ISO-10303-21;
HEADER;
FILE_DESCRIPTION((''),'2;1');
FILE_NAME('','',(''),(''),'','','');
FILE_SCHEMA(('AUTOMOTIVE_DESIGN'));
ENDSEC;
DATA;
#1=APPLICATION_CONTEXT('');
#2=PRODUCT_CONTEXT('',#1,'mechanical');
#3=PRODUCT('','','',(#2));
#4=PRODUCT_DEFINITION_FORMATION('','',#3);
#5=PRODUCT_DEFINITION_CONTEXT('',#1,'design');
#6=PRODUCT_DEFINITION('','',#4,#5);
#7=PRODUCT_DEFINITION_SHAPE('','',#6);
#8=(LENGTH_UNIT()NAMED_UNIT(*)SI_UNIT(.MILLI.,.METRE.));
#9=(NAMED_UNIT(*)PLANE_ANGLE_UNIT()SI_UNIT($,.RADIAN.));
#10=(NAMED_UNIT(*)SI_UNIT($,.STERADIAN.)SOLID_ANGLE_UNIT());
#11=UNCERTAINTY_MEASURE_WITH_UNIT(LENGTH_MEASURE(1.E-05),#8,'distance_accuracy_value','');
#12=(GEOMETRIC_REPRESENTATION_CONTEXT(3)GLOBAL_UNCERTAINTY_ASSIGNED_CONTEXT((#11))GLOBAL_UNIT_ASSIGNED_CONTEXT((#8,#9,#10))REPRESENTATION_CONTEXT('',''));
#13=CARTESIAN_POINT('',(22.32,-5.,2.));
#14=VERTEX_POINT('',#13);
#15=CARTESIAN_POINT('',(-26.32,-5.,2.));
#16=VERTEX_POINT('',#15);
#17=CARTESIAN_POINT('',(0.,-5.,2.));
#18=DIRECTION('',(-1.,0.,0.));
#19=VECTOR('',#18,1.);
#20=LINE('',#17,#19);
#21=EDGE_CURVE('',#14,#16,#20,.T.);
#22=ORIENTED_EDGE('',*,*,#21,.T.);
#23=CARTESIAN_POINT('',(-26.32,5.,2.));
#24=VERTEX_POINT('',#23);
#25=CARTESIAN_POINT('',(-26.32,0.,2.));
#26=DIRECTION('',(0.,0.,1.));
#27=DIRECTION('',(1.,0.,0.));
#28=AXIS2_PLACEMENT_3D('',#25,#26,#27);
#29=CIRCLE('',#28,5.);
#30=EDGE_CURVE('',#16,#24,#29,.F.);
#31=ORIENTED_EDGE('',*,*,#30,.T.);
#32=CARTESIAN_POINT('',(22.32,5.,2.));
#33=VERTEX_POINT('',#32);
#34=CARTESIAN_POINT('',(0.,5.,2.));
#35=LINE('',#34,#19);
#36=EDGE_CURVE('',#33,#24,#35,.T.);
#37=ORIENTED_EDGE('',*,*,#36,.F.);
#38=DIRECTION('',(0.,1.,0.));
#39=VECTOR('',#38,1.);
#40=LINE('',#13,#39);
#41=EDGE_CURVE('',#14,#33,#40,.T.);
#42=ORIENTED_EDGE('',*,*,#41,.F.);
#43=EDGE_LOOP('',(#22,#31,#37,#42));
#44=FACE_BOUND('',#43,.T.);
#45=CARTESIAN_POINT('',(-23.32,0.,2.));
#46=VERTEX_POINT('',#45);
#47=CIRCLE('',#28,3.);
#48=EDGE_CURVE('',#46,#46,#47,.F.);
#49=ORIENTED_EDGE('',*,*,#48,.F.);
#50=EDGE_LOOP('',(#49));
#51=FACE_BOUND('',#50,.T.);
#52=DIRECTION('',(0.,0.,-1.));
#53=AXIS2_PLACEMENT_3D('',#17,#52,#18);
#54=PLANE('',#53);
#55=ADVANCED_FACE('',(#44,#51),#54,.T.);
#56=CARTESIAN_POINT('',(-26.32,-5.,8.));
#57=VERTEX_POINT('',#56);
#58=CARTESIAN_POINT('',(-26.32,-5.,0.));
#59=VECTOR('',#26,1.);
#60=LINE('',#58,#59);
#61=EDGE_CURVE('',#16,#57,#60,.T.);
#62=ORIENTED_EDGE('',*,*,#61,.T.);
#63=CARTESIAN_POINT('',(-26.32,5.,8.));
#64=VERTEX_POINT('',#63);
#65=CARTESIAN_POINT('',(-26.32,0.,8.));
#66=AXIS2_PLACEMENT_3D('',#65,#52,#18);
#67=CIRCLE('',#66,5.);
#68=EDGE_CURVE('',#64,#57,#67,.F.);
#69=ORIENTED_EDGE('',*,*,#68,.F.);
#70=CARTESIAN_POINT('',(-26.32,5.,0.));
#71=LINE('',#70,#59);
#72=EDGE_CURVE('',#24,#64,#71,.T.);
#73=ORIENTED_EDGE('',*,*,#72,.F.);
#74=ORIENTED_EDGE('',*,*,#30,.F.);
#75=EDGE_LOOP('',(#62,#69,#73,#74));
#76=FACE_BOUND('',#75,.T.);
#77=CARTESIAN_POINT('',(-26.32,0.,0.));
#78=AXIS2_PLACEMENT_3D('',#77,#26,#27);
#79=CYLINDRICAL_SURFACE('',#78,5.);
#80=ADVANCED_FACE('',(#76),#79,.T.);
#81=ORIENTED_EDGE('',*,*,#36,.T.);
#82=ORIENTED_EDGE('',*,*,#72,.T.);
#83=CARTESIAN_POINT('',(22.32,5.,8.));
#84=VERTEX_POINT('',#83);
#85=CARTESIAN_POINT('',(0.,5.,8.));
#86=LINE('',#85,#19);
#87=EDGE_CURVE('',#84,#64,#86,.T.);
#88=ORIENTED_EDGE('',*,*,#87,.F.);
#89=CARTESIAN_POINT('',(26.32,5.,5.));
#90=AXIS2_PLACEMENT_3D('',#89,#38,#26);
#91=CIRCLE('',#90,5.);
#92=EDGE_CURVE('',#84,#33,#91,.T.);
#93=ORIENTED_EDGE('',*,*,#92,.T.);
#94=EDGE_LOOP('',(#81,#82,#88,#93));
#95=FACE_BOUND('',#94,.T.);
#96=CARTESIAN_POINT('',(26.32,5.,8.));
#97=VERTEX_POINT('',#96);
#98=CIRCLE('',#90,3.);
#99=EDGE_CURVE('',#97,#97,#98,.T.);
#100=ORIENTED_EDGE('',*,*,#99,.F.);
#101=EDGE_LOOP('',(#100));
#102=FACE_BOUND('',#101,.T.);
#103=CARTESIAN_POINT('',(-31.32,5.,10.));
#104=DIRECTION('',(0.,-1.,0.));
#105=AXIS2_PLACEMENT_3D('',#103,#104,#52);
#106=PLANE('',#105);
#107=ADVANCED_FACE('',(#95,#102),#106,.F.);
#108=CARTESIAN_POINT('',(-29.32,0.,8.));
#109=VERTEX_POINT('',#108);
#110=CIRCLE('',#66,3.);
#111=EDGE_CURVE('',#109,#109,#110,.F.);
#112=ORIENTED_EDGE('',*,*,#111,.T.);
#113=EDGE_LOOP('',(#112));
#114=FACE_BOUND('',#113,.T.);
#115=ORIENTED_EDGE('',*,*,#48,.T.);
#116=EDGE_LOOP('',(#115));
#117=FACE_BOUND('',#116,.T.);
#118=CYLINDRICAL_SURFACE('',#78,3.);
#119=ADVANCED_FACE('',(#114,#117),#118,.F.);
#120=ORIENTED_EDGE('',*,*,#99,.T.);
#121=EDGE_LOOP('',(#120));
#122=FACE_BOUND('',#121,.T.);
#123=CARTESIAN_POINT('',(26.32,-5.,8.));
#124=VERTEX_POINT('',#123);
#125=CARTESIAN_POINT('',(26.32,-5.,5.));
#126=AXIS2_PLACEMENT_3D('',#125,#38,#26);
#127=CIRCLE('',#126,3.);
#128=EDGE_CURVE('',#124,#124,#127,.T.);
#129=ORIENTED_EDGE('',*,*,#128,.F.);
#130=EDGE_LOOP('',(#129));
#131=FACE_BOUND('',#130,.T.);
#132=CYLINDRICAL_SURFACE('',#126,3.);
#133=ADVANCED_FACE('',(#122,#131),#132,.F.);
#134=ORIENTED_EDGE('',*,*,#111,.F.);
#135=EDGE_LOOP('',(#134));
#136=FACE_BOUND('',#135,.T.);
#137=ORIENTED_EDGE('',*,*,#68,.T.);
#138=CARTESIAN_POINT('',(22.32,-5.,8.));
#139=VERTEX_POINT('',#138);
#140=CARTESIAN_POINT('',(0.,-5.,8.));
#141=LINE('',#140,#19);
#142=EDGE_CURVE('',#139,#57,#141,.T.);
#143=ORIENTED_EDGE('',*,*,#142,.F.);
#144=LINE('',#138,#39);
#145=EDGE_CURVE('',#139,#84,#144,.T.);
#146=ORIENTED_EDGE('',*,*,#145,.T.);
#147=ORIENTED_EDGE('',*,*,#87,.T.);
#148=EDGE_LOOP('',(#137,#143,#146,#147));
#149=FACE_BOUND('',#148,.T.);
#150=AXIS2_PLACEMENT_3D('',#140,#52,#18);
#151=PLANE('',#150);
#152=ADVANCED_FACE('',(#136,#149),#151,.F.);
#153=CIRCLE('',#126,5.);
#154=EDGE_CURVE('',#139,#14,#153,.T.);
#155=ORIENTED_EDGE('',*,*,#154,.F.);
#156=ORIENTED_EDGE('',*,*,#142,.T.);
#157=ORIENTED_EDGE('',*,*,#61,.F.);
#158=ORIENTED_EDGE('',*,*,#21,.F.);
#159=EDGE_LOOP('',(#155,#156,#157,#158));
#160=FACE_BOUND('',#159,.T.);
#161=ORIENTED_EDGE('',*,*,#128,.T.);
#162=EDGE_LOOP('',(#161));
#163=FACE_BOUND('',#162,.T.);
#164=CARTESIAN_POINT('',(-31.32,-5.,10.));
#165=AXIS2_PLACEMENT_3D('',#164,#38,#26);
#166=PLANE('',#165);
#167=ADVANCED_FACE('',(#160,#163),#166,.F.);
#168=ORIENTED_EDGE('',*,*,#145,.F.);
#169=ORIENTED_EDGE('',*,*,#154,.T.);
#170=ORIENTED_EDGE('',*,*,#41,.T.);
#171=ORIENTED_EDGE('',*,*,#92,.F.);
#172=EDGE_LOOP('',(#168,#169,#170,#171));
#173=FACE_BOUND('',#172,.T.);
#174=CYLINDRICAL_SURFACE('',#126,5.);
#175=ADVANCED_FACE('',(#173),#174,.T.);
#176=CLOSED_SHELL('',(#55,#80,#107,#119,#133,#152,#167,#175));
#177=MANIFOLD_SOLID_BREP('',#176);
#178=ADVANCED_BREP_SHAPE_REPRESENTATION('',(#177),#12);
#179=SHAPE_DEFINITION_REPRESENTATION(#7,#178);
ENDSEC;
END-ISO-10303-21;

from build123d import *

# Parameters (mm, degrees)
SKETCH_1_W           = 62.64
SKETCH_1_H           = 10
EXTRUDE_2_DEPTH      = 10
SKETCH_3_R           = 3
CUT_EXTRUDE_3_DEPTH  = 35.364842499
SKETCH_4_R           = 3
CUT_EXTRUDE_5_DEPTH  = 34.255712291
SKETCH_5_W           = 44.64
SKETCH_5_H           = 2
CUT_EXTRUDE_7_DEPTH  = 35.364842499
CUT_EXTRUDE_8_DEPTH  = 35.364842499
SKETCH_10_R          = 5
EXTRUDE_7_DEPTH      = 10
SKETCH_11_R          = 3
CUT_EXTRUDE_9_DEPTH  = 35.364842499
SKETCH_13_W          = 2
SKETCH_13_H          = 10
CUT_EXTRUDE_11_DEPTH = 54.814213736


with BuildPart() as part:
    # 草图1 → 凸台-拉伸2 (new body)
    with BuildSketch(Plane.XY):
        Rectangle(SKETCH_1_W, SKETCH_1_H)
    extrude(amount=EXTRUDE_2_DEPTH)

    # 草图3 → 切除-拉伸3 (cut, through all)
    with BuildSketch(Plane(origin=(0, 5, 0), x_dir=(1, 0, 0), z_dir=(0, 1, 0))):
        with BuildLine():
            ThreePointArc((31.32, -5), (29.855533906, -8.535533906), (26.32, -10))
            Line((26.32, -10), (31.32, -10))
            Line((31.32, -10), (31.32, -5))
        make_face()
        with BuildLine():
            Line((31.32, 0), (26.32, 0))
            ThreePointArc((26.32, 0), (29.855533906, -1.464466094), (31.32, -5))
            Line((31.32, -5), (31.32, 0))
        make_face()
        with Locations(Location((26.32, -5, 0), (0, 0, 270))):
            Circle(SKETCH_3_R)
    extrude(amount=-CUT_EXTRUDE_3_DEPTH, mode=Mode.SUBTRACT)

    # 草图4 → 切除-拉伸5 (cut, through all)
    with BuildSketch(Plane.XY.offset(10)):
        with BuildLine():
            ThreePointArc((-31.32, 0), (-29.855533906, 3.535533906), (-26.32, 5))
            Line((-26.32, 5), (-31.32, 5))
            Line((-31.32, 5), (-31.32, 0))
        make_face()
        with BuildLine():
            ThreePointArc((-26.32, -5), (-29.855533906, -3.535533906), (-31.32, 0))
            Line((-31.32, 0), (-31.32, -5))
            Line((-31.32, -5), (-26.32, -5))
        make_face()
        with Locations((-26.32, 0)):
            Circle(SKETCH_4_R)
    extrude(amount=-CUT_EXTRUDE_5_DEPTH, mode=Mode.SUBTRACT)

    # 草图5 → 切除-拉伸7 (cut, through all)
    with BuildSketch(Plane(origin=(0, 5, 0), x_dir=(1, 0, 0), z_dir=(0, 1, 0))):
        with Locations((1, -9)):
            Rectangle(SKETCH_5_W, SKETCH_5_H)
        with Locations((1, -1)):
            Rectangle(SKETCH_5_W, SKETCH_5_H)
    extrude(amount=-CUT_EXTRUDE_7_DEPTH, mode=Mode.SUBTRACT)

    # 草图6 → 切除-拉伸8 (cut, through all)
    with BuildSketch(Plane(origin=(0, 5, 0), x_dir=(1, 0, 0), z_dir=(0, 1, 0))):
        with BuildLine():
            Line((23.32, 0), (23.32, -1))
            ThreePointArc((23.32, -1), (24.73886117, -0.25658351), (26.32, 0))
            Line((26.32, 0), (23.32, 0))
        make_face()
        with BuildLine():
            ThreePointArc((26.32, -10), (24.73886117, -9.74341649), (23.32, -9))
            Line((23.32, -9), (23.32, -10))
            Line((23.32, -10), (26.32, -10))
        make_face()
    extrude(amount=-CUT_EXTRUDE_8_DEPTH, mode=Mode.SUBTRACT)

    # 草图10 → 凸台-拉伸7 (add)
    with BuildSketch(Plane(origin=(0, 5, 0), x_dir=(1, 0, 0), z_dir=(0, 1, 0))):
        with Locations((26.32, -5)):
            Circle(SKETCH_10_R)
    extrude(amount=-EXTRUDE_7_DEPTH)

    # 草图11 → 切除-拉伸9 (cut, through all)
    with BuildSketch(Plane(origin=(0, 5, 0), x_dir=(1, 0, 0), z_dir=(0, 1, 0))):
        with Locations(Location((26.32, -5, 0), (0, 0, 270))):
            Circle(SKETCH_11_R)
    extrude(amount=-CUT_EXTRUDE_9_DEPTH, mode=Mode.SUBTRACT)

    # 草图13 → 切除-拉伸11 (cut, through all)
    with BuildSketch(Plane(origin=(-21.32, 0, 0), x_dir=(0, 0, -1), z_dir=(1, 0, 0))):
        with Locations((-9, 0)):
            Rectangle(SKETCH_13_W, SKETCH_13_H)
        with Locations((-1, 0)):
            Rectangle(SKETCH_13_W, SKETCH_13_H)
    extrude(amount=-CUT_EXTRUDE_11_DEPTH, mode=Mode.SUBTRACT)


solid = part.part
